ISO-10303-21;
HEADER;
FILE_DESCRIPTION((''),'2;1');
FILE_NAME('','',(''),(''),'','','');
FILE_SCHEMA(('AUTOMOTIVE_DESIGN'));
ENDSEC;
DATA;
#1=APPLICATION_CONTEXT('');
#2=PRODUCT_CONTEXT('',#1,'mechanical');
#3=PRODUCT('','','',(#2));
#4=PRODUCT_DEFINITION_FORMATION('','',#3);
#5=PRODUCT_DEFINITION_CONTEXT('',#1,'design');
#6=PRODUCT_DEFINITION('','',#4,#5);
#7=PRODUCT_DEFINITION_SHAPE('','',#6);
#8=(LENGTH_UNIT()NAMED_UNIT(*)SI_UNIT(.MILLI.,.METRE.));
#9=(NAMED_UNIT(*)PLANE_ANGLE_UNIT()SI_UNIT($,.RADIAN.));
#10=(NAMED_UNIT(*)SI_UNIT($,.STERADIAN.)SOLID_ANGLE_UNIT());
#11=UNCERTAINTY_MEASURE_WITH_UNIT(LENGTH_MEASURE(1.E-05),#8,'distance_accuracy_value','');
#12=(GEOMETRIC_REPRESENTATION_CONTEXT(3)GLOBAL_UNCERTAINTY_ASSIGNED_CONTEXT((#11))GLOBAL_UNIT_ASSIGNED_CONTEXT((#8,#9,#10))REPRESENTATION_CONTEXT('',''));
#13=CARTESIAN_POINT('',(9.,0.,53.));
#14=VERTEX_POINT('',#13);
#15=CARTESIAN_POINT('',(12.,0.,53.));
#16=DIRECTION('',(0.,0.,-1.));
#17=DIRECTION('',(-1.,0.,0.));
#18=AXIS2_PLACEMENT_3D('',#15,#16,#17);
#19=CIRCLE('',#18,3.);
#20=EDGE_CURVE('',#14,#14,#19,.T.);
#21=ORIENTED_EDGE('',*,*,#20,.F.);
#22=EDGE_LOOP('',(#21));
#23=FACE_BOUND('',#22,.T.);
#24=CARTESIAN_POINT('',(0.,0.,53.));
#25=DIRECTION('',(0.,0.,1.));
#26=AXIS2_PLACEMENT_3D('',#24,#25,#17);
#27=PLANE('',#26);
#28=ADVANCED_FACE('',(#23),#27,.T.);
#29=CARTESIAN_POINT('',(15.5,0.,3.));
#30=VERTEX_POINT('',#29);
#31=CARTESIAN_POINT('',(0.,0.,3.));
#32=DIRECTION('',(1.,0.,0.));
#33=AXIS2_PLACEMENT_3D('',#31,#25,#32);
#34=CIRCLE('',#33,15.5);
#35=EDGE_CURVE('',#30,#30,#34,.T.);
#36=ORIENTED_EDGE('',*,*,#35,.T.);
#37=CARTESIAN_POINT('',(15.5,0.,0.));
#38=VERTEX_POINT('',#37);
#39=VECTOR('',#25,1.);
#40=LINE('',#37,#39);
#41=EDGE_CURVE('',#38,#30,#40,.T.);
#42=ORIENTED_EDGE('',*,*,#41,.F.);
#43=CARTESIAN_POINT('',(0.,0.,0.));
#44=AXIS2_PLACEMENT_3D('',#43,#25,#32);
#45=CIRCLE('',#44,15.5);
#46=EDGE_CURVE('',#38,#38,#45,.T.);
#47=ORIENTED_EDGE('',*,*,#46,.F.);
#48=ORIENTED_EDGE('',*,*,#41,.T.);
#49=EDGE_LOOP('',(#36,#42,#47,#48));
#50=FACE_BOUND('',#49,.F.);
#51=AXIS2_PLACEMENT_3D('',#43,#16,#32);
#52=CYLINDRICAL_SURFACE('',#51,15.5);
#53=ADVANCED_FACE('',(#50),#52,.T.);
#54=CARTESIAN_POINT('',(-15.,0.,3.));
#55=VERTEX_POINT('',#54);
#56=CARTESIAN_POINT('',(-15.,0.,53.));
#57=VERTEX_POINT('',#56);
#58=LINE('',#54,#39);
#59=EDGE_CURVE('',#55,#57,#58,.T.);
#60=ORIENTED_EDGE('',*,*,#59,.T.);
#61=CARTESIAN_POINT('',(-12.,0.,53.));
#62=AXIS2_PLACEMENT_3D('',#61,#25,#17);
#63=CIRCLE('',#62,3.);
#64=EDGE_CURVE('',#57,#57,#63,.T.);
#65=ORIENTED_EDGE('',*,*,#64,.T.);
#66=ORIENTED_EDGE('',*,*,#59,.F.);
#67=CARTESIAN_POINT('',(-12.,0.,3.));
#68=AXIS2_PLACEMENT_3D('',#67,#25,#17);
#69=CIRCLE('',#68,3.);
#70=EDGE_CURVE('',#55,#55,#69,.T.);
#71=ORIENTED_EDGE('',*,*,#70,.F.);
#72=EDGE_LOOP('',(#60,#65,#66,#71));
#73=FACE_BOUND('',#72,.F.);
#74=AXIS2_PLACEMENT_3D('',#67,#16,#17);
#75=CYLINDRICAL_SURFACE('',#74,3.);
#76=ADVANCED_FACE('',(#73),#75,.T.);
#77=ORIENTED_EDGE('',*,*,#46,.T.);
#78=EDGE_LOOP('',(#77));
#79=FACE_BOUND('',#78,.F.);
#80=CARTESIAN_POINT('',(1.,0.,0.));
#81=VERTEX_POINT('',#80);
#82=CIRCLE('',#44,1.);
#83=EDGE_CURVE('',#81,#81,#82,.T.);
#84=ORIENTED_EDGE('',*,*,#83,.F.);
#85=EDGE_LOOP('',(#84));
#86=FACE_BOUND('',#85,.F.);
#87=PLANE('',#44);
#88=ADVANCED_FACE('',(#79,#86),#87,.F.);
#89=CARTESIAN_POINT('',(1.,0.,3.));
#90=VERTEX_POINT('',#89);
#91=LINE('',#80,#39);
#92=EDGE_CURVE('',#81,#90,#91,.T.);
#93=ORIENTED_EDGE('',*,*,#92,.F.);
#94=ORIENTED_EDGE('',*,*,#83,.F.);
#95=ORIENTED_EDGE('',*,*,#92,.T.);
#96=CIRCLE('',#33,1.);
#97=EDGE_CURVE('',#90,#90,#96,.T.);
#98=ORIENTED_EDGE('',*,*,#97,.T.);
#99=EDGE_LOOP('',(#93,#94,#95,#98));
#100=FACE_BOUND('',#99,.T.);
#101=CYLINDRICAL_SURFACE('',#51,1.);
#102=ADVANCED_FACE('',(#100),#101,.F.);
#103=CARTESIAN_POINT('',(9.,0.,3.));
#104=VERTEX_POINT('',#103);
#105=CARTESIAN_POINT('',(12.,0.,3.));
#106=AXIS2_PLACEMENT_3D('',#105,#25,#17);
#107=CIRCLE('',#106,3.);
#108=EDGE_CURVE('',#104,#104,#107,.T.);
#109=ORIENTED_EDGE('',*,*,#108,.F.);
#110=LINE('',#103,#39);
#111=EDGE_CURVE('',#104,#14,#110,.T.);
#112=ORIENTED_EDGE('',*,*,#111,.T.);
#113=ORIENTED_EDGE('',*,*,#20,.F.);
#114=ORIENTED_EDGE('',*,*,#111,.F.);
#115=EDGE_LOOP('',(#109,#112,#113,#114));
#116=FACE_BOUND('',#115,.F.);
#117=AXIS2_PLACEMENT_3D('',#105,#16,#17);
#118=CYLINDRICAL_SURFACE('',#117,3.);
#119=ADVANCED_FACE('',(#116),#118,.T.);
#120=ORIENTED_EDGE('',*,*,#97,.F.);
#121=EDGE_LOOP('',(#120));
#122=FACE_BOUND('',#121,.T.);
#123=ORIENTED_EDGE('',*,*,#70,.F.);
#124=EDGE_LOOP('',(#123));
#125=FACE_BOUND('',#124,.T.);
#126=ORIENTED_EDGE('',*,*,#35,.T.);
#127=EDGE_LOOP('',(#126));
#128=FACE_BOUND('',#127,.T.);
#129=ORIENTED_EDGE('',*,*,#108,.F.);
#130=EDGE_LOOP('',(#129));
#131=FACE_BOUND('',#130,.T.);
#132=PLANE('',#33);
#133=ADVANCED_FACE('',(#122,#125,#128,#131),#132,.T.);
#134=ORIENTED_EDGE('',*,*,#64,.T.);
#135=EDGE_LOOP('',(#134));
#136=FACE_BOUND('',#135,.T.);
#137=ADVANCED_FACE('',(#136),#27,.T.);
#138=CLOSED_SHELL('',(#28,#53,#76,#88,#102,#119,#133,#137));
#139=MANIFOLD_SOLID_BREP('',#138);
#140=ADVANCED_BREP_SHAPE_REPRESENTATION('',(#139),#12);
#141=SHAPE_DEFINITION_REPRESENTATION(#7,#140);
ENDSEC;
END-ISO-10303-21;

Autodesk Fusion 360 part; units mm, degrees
sketch "Sketch1" plane through (0, 0, 0) normal (0, 0, 1) x (1, 0, 0)
  circle A0 centre (0, 0) radius 15.5
  circle A1 centre (0, 0) radius 1
  dimension "d1" = 31
  dimension "d2" = 2
extrude "Extrude1" add sketch "Sketch1" along normal blind 3
sketch "Sketch2" plane through (0, 0, 3) normal (0, 0, 1) x (-1, 0, 0)
  circle A0 centre (0, 0) radius 1
  circle A1 centre (0, 0) radius 15.5
  circle A2 centre (12, 0) radius 3
  circle A3 centre (-12, 0) radius 3
  line L0 (15.5, 0) -> (12, 0)
  line L1 (-12, 0) -> (-15.5, 0)
  dimension "d7" = 6
extrude "Extrude2" add sketch "Sketch2" along normal blind 50 contours A3 | A2
